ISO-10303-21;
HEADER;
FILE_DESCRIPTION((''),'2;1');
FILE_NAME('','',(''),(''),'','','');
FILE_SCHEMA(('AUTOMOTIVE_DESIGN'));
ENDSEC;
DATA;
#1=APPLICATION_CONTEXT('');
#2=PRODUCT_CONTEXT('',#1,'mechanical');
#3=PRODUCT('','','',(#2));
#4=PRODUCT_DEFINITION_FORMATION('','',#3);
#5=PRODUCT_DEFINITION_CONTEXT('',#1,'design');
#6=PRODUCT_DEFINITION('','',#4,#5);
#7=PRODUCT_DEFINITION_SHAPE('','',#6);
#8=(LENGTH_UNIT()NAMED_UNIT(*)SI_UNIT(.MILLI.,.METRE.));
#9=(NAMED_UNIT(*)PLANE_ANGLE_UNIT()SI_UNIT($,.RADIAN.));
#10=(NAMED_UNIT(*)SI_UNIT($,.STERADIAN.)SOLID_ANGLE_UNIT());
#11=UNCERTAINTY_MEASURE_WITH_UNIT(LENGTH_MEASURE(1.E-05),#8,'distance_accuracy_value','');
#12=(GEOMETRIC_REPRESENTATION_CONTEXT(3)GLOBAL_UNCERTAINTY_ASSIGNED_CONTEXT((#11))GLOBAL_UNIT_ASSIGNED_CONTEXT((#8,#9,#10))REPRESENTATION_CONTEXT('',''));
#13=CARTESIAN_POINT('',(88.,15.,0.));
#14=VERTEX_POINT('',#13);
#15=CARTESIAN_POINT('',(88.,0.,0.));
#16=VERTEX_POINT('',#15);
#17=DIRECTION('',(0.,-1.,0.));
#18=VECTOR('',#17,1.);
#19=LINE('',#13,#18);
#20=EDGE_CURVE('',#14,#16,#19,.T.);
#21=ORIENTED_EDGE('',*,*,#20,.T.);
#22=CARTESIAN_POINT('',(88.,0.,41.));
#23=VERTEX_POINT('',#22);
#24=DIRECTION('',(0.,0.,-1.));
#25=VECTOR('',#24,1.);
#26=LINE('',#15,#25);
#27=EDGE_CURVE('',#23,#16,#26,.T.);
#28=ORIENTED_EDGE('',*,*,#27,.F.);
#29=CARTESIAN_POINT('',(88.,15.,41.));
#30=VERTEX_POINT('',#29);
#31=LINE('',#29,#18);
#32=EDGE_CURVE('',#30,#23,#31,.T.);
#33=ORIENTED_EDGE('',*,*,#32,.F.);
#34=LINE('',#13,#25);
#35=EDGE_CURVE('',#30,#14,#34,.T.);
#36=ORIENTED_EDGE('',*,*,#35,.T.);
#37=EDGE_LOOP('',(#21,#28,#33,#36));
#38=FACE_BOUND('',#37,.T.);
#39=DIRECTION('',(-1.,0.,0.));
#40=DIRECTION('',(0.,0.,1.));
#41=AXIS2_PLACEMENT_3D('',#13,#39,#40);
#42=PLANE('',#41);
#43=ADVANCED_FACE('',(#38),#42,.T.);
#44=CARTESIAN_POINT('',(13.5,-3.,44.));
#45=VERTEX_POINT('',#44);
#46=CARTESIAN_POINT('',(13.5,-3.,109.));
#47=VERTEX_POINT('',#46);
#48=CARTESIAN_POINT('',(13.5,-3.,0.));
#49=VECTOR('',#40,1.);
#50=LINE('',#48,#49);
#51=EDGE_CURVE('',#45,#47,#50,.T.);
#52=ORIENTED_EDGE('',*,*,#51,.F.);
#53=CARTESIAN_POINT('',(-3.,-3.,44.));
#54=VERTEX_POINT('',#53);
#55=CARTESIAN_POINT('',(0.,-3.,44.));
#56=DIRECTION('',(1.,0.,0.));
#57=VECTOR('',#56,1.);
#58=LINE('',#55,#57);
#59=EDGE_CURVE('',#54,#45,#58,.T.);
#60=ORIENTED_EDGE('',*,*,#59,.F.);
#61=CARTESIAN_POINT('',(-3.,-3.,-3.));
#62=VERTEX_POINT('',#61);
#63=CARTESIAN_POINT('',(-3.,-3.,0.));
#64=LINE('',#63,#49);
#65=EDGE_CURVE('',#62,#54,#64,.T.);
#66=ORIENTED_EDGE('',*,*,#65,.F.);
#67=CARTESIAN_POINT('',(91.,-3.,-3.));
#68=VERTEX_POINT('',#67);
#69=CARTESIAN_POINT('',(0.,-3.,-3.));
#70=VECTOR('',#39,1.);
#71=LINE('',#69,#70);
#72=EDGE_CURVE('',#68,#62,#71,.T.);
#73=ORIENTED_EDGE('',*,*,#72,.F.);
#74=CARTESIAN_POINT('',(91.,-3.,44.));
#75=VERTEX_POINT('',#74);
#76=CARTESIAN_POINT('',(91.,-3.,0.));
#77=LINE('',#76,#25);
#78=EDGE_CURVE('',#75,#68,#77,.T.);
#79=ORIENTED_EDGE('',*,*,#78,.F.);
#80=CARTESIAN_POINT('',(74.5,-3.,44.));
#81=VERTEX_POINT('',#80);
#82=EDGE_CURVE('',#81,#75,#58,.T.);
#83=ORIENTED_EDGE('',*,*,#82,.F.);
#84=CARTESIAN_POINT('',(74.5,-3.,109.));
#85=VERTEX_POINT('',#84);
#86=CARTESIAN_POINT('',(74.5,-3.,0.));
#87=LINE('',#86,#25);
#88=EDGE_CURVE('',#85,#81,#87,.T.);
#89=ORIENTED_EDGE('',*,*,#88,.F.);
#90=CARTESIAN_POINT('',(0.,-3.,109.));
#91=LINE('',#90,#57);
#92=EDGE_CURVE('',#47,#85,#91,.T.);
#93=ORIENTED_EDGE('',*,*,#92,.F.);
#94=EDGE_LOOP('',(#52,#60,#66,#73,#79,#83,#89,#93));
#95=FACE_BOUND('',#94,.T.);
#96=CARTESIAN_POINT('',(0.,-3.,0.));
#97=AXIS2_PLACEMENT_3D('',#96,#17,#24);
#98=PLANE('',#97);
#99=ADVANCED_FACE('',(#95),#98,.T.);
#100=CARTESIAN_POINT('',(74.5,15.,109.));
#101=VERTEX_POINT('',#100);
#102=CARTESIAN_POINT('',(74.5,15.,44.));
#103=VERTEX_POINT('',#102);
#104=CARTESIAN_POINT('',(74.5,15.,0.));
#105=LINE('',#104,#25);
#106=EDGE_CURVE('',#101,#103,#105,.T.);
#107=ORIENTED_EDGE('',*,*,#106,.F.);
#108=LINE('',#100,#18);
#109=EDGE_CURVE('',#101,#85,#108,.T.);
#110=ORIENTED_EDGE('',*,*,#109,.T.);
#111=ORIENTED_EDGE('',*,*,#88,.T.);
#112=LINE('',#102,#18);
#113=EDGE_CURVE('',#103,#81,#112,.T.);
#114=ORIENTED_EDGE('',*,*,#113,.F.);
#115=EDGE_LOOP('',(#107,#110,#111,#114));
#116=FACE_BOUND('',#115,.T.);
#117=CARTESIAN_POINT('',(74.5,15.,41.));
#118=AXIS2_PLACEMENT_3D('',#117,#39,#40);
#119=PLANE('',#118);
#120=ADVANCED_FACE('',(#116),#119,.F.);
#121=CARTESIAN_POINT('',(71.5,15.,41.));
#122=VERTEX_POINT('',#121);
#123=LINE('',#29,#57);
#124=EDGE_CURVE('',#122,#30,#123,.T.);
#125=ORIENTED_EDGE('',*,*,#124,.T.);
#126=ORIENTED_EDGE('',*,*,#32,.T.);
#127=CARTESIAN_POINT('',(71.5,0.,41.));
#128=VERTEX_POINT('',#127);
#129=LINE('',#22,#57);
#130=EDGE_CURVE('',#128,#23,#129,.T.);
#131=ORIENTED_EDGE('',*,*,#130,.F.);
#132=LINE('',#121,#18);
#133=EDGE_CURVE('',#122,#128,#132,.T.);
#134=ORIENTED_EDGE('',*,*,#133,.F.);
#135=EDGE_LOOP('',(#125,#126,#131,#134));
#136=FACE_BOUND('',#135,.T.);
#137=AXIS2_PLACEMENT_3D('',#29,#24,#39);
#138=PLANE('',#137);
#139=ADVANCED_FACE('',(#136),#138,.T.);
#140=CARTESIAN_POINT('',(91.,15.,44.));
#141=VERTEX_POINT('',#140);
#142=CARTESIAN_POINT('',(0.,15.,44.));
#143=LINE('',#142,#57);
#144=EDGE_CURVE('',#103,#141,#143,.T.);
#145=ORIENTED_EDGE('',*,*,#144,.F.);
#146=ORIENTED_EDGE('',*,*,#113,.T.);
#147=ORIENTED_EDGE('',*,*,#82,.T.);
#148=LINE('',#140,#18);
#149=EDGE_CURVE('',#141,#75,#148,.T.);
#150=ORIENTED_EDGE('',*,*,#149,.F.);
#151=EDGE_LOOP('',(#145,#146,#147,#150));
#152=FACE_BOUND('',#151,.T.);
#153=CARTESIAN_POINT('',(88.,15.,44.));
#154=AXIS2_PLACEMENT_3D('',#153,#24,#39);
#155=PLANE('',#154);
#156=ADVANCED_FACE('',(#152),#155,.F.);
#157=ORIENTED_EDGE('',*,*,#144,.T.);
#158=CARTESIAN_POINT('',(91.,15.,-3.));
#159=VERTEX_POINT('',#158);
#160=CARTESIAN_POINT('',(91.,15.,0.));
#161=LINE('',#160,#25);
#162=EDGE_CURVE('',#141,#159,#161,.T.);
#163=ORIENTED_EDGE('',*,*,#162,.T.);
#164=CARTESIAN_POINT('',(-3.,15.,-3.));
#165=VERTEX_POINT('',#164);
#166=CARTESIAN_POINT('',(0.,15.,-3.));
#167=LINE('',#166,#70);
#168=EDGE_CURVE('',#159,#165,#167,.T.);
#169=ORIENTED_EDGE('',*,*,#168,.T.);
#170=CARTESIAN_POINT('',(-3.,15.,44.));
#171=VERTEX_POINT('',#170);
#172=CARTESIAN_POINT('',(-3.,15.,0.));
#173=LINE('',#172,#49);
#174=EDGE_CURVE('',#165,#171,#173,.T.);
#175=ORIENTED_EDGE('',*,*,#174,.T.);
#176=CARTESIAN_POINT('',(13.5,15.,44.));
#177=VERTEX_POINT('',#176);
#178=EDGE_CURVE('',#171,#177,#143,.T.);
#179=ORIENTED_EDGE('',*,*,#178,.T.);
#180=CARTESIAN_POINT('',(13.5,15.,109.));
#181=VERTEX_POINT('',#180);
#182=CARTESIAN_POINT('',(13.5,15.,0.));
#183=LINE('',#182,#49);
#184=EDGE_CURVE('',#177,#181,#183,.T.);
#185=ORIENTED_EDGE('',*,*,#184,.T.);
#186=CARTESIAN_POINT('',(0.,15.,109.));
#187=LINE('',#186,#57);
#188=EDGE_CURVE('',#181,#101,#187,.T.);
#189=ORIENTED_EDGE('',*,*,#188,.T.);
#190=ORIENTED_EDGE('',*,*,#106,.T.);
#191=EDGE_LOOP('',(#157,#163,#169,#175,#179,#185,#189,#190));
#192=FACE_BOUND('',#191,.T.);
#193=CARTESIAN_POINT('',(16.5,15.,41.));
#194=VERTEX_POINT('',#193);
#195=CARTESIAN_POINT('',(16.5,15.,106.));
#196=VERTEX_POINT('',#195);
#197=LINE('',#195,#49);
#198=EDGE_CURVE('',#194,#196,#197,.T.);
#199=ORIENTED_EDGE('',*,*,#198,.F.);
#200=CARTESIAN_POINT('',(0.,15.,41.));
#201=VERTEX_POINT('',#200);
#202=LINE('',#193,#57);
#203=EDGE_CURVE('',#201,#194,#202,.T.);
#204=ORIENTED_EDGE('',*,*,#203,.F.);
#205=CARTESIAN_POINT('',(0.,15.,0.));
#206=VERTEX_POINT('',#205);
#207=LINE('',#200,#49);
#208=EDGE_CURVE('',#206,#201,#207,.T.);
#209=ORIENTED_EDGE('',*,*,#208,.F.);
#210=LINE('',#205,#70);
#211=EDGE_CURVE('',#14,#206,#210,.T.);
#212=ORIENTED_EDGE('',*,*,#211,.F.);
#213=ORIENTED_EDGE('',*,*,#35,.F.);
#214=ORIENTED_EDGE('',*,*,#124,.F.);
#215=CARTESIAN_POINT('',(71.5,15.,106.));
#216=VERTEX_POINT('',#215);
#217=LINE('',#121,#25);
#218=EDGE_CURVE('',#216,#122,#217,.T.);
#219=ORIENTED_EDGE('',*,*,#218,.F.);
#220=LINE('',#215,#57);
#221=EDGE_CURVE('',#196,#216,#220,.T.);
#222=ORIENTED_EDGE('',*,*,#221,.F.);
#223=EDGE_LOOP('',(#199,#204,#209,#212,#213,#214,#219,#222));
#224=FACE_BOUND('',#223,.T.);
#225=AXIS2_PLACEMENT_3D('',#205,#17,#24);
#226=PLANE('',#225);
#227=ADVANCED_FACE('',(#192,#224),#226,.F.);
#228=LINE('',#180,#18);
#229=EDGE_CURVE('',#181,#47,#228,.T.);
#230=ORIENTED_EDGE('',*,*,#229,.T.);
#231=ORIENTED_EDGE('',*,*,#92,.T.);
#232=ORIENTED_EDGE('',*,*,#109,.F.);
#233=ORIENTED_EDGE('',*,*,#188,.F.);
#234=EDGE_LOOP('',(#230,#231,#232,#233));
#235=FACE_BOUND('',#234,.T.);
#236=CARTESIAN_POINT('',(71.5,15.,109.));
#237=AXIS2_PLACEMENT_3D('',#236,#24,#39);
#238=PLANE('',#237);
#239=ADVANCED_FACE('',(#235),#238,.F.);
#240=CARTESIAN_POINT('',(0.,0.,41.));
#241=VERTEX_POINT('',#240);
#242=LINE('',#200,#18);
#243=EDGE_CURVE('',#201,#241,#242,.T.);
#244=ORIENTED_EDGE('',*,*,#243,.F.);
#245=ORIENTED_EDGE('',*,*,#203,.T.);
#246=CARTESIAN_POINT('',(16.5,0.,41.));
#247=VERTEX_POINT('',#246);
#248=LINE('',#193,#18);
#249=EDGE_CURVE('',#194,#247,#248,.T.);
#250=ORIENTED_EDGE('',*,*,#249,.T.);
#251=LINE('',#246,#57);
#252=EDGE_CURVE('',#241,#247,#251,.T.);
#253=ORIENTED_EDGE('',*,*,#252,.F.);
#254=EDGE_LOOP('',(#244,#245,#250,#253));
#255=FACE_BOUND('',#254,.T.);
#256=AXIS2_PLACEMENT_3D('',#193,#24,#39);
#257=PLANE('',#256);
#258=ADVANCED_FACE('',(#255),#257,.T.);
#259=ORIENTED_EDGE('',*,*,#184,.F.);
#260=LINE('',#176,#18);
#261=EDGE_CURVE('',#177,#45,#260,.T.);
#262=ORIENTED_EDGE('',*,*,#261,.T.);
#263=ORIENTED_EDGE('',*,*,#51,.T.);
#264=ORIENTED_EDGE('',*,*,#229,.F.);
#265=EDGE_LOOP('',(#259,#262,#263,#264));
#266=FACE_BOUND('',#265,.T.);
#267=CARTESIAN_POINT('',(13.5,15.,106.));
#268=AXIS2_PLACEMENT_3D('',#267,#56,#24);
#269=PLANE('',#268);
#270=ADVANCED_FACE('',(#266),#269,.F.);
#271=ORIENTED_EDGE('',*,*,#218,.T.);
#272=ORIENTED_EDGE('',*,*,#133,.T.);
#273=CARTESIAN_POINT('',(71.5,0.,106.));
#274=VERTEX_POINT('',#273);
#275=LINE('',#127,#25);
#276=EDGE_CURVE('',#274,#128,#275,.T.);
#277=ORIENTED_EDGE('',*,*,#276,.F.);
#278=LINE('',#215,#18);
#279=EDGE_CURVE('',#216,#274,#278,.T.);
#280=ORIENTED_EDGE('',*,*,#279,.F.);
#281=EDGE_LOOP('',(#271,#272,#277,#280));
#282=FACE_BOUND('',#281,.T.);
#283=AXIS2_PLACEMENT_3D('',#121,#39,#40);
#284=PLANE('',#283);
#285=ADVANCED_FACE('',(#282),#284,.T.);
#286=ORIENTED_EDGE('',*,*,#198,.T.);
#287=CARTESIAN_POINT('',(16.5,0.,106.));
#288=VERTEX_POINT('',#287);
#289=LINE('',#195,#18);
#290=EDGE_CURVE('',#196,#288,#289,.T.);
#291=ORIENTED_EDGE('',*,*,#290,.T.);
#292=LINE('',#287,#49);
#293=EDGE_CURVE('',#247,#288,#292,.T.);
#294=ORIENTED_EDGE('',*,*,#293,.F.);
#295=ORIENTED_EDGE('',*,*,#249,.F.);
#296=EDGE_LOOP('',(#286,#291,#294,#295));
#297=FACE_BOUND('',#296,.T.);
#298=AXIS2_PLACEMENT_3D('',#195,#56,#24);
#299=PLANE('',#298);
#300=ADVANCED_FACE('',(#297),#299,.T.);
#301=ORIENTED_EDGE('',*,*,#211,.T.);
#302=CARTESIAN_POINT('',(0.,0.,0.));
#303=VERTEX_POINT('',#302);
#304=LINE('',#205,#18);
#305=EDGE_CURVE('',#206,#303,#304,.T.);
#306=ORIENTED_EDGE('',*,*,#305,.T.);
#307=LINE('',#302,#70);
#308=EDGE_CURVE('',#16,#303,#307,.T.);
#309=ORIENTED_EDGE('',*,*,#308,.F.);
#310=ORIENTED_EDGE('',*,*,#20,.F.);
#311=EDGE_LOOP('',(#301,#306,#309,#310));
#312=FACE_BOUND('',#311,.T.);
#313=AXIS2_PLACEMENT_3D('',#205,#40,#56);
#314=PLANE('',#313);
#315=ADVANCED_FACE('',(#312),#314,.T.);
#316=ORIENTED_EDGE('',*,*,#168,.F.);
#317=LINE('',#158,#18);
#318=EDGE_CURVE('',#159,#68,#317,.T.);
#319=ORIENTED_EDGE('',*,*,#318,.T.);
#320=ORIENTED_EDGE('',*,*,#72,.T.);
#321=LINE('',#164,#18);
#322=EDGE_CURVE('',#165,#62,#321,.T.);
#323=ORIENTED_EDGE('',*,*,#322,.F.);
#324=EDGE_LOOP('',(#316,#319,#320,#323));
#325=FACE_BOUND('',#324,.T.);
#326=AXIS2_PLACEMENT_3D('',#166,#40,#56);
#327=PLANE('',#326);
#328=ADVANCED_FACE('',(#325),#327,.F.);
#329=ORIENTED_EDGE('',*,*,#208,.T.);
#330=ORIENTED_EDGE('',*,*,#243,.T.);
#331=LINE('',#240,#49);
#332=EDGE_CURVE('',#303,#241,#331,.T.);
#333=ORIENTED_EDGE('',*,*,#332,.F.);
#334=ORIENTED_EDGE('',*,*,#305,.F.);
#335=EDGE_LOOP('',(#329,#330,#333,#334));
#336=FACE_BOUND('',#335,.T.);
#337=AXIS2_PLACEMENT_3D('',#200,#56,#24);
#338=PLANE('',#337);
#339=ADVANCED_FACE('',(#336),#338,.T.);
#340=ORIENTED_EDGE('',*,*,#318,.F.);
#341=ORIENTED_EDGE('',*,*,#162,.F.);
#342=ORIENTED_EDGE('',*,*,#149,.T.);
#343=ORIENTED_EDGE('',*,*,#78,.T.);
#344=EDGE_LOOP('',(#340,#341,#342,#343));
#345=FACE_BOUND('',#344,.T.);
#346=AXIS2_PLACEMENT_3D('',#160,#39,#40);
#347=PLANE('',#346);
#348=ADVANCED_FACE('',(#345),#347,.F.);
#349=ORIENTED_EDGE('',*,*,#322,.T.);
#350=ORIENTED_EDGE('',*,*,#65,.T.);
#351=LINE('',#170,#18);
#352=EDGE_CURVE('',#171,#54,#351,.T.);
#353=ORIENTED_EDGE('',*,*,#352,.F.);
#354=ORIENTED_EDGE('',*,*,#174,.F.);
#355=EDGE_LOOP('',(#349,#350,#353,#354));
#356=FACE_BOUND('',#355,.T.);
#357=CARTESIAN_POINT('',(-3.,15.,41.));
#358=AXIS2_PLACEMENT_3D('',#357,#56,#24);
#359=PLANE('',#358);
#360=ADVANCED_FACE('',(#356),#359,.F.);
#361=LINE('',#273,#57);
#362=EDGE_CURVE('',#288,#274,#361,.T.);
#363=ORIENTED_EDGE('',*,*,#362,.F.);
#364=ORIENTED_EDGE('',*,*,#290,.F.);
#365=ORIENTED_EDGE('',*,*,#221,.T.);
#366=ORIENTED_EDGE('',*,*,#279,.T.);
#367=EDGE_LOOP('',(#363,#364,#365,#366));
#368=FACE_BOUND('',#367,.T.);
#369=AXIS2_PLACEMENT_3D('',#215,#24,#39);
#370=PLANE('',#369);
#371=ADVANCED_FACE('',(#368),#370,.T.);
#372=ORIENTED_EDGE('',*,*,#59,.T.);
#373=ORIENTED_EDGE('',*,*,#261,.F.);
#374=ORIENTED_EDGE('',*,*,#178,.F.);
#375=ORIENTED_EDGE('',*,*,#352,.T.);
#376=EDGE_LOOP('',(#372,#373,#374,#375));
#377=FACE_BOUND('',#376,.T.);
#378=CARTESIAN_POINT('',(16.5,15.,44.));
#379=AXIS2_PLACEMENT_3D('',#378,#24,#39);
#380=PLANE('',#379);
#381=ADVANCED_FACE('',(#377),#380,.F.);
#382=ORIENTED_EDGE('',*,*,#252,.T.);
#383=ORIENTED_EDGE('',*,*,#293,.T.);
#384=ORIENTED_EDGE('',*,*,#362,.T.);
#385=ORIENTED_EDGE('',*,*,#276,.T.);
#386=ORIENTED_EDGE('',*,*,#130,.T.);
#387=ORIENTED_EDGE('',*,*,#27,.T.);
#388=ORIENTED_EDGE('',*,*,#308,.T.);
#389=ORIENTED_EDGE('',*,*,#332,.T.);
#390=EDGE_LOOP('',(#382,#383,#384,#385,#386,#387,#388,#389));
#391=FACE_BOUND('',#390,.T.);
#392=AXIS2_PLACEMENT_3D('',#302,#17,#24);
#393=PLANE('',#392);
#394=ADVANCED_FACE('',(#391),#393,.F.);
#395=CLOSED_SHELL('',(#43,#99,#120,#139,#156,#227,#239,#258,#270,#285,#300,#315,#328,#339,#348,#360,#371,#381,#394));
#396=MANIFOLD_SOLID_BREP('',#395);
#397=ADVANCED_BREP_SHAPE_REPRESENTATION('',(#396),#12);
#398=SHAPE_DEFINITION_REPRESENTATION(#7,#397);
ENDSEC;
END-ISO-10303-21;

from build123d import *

# Parameters (mm, degrees)
BOSS_EXTRUDE1_DEPTH = 15
SHELL1_T            = 3


with BuildPart() as part:
    # Sketch1 → Boss-Extrude1 (new body)
    with BuildSketch(Plane(origin=(0, 0, 0), x_dir=(1, 0, 0), z_dir=(0, 1, 0))):
        Polygon((0, 0), (88, 0), (88, -41), (71.5, -41), (71.5, -106), (16.5, -106), (16.5, -41), (0, -41), align=None)
    extrude(amount=BOSS_EXTRUDE1_DEPTH)

    # Shell1
    shell1_openings = [part.faces().sort_by_distance(p)[0] for p in [
        (44, 15, 46.878254211),
    ]]
    offset(amount=SHELL1_T, openings=shell1_openings, kind=Kind.INTERSECTION)


solid = part.part
